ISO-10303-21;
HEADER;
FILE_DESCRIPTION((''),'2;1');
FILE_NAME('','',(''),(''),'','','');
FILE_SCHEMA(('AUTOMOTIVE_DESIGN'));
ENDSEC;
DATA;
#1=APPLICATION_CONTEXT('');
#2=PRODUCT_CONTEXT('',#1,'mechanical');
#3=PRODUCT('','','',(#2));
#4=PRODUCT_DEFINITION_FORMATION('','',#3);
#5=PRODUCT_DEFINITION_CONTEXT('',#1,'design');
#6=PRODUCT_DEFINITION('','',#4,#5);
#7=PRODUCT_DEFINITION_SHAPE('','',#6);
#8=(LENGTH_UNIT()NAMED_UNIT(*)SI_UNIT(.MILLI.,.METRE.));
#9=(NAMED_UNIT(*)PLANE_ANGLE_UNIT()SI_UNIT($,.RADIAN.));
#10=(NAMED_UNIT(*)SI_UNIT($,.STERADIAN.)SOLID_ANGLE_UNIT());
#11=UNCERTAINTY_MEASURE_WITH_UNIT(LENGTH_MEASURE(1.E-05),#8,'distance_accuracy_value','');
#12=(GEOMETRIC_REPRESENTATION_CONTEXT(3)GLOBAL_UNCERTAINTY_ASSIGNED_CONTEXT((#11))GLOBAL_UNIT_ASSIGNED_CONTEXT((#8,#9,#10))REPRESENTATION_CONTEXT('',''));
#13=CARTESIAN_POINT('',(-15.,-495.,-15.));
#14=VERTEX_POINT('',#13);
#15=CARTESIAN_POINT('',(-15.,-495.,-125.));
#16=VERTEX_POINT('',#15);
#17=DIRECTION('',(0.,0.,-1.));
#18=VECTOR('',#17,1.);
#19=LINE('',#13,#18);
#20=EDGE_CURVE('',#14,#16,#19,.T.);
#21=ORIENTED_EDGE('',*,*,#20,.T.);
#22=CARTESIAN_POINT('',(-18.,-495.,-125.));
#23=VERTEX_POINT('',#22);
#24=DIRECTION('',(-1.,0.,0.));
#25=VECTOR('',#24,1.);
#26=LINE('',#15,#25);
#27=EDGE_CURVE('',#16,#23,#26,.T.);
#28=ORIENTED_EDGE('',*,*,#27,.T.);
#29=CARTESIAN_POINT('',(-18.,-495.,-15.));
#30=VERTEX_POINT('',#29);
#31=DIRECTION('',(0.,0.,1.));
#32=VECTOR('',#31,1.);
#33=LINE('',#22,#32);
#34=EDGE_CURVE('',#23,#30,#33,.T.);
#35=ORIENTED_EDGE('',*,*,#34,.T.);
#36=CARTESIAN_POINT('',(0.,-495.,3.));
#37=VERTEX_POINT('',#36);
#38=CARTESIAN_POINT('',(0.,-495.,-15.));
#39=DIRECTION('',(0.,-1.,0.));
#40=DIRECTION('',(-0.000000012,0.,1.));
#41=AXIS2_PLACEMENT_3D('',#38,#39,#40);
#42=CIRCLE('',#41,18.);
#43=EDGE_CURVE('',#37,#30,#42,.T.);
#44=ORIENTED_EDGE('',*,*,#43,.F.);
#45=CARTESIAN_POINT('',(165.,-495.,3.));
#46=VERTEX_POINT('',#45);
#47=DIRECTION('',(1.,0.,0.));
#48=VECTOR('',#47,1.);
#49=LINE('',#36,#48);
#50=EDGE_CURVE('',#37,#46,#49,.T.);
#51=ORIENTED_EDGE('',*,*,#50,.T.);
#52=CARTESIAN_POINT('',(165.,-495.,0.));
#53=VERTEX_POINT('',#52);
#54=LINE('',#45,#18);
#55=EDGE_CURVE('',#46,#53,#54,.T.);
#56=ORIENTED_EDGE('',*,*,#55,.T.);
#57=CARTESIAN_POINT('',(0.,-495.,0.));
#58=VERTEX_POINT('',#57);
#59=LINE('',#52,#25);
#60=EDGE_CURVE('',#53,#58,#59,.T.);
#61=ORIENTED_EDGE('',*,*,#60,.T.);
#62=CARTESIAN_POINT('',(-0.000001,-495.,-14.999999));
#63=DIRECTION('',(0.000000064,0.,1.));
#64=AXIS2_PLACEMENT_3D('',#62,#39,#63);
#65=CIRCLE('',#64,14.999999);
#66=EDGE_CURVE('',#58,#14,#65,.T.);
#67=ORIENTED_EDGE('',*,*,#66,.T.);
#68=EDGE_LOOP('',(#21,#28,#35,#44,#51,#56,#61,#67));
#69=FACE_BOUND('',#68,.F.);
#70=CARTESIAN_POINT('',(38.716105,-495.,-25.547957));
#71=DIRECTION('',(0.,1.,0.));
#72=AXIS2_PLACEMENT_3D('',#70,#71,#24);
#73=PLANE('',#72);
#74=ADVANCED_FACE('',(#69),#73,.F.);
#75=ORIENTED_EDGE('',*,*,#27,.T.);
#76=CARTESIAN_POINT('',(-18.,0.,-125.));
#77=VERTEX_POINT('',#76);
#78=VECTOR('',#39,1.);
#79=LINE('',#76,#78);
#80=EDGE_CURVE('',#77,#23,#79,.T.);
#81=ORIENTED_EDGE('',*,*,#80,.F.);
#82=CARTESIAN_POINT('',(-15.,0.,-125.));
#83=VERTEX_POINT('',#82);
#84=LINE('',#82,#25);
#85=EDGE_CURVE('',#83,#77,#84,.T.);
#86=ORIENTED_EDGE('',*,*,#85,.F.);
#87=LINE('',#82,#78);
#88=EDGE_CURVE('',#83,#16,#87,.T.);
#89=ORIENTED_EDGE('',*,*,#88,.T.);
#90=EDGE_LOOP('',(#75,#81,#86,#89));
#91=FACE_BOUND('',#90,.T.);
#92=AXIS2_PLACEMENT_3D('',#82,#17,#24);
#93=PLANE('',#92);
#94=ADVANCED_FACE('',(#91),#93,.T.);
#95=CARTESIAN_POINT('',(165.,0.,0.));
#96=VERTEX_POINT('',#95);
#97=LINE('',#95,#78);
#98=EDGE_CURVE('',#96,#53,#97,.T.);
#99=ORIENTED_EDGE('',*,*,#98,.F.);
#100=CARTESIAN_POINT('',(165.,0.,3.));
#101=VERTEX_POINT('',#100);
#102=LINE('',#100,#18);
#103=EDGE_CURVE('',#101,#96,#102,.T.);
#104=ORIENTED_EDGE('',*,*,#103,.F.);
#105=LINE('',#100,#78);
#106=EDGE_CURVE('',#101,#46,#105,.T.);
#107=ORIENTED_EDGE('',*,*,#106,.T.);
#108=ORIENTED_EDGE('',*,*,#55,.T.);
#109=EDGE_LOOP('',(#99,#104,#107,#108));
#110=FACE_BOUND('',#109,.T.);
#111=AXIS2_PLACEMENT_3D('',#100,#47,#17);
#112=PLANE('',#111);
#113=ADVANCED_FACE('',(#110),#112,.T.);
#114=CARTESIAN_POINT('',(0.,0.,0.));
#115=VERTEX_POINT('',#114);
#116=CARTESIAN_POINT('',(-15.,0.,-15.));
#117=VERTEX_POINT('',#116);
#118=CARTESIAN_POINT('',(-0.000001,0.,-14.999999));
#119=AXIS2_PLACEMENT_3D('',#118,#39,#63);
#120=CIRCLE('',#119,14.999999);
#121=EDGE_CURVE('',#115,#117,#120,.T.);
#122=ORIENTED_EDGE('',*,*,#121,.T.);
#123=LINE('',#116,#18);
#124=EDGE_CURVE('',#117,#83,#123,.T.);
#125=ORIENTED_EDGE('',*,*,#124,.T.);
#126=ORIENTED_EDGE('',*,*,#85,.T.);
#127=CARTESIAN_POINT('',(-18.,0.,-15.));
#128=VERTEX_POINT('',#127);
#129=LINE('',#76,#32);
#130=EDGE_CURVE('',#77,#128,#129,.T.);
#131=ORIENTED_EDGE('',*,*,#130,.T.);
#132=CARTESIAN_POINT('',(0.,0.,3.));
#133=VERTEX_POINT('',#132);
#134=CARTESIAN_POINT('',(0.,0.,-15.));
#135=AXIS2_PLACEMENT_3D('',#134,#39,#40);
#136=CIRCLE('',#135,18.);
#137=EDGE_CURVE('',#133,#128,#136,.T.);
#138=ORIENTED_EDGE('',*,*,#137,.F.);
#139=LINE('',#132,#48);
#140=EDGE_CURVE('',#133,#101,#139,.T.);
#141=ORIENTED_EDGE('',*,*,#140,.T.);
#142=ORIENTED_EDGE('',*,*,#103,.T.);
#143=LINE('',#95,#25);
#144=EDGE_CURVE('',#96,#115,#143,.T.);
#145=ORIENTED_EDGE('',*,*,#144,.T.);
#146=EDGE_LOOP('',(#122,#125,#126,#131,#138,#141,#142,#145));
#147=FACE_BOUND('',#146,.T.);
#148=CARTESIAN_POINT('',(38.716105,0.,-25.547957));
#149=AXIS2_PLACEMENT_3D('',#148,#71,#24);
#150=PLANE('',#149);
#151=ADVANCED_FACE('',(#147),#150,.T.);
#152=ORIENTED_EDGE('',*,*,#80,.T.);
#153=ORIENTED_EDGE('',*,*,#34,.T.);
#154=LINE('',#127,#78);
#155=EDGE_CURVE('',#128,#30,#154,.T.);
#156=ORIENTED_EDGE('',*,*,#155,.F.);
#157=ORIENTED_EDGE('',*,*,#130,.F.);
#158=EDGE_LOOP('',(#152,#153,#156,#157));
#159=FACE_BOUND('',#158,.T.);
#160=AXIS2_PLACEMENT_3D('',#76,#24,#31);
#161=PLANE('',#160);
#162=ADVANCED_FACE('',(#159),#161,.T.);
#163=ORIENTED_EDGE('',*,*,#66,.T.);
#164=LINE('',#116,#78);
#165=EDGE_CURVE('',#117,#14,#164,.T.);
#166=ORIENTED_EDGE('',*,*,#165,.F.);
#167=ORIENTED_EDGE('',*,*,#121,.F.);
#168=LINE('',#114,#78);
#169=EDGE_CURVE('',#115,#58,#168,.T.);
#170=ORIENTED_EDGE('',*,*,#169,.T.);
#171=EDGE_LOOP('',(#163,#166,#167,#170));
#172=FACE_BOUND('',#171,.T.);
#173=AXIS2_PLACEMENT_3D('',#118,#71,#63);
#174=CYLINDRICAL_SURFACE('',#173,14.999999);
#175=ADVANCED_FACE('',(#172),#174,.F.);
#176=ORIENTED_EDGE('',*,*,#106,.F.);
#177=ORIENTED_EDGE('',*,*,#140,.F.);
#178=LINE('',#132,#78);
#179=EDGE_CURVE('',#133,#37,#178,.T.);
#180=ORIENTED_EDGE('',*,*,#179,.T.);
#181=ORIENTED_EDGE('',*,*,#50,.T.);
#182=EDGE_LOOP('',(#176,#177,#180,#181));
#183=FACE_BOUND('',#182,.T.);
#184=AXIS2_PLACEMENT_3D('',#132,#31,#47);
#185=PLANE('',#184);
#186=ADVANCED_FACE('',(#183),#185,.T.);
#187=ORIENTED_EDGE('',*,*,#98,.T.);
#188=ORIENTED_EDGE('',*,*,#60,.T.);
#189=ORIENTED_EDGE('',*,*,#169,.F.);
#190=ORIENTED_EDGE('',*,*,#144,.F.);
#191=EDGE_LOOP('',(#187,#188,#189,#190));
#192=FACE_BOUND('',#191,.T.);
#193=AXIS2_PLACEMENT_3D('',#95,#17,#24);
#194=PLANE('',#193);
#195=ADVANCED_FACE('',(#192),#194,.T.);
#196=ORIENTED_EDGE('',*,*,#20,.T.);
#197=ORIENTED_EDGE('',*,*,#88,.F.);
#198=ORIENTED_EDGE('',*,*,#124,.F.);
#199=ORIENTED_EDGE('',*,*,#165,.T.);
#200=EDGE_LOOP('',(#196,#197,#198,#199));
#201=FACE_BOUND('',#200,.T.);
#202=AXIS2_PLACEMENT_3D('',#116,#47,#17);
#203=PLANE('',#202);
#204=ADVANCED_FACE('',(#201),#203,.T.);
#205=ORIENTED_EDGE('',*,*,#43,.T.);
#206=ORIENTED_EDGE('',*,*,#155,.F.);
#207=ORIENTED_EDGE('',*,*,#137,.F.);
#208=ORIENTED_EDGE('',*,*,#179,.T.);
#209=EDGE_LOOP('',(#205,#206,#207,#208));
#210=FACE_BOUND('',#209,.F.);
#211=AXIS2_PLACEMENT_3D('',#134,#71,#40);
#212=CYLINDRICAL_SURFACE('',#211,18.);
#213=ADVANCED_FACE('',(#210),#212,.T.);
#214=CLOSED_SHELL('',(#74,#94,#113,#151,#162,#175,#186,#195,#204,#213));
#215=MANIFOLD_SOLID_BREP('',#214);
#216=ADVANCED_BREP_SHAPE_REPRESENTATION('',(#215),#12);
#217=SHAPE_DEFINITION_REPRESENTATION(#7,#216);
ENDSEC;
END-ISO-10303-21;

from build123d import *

# Parameters (mm, degrees)
PAD_DEPTH = 495


with BuildPart() as part:
    # Sketch → Pad (new body)
    with BuildSketch(Plane.XZ):
        with BuildLine():
            Line((0, 3), (165, 3))
            Line((165, 3), (165, 0))
            Line((165, 0), (0, 0))
            ThreePointArc((0, 0), (-10.606602, -4.393398), (-15, -15))
            Line((-15, -15), (-15, -125))
            Line((-15, -125), (-18, -125))
            Line((-18, -125), (-18, -15))
            ThreePointArc((0, 3), (-12.727922, -2.272078), (-18, -15))
        make_face()
    extrude(amount=PAD_DEPTH)


solid = part.part
